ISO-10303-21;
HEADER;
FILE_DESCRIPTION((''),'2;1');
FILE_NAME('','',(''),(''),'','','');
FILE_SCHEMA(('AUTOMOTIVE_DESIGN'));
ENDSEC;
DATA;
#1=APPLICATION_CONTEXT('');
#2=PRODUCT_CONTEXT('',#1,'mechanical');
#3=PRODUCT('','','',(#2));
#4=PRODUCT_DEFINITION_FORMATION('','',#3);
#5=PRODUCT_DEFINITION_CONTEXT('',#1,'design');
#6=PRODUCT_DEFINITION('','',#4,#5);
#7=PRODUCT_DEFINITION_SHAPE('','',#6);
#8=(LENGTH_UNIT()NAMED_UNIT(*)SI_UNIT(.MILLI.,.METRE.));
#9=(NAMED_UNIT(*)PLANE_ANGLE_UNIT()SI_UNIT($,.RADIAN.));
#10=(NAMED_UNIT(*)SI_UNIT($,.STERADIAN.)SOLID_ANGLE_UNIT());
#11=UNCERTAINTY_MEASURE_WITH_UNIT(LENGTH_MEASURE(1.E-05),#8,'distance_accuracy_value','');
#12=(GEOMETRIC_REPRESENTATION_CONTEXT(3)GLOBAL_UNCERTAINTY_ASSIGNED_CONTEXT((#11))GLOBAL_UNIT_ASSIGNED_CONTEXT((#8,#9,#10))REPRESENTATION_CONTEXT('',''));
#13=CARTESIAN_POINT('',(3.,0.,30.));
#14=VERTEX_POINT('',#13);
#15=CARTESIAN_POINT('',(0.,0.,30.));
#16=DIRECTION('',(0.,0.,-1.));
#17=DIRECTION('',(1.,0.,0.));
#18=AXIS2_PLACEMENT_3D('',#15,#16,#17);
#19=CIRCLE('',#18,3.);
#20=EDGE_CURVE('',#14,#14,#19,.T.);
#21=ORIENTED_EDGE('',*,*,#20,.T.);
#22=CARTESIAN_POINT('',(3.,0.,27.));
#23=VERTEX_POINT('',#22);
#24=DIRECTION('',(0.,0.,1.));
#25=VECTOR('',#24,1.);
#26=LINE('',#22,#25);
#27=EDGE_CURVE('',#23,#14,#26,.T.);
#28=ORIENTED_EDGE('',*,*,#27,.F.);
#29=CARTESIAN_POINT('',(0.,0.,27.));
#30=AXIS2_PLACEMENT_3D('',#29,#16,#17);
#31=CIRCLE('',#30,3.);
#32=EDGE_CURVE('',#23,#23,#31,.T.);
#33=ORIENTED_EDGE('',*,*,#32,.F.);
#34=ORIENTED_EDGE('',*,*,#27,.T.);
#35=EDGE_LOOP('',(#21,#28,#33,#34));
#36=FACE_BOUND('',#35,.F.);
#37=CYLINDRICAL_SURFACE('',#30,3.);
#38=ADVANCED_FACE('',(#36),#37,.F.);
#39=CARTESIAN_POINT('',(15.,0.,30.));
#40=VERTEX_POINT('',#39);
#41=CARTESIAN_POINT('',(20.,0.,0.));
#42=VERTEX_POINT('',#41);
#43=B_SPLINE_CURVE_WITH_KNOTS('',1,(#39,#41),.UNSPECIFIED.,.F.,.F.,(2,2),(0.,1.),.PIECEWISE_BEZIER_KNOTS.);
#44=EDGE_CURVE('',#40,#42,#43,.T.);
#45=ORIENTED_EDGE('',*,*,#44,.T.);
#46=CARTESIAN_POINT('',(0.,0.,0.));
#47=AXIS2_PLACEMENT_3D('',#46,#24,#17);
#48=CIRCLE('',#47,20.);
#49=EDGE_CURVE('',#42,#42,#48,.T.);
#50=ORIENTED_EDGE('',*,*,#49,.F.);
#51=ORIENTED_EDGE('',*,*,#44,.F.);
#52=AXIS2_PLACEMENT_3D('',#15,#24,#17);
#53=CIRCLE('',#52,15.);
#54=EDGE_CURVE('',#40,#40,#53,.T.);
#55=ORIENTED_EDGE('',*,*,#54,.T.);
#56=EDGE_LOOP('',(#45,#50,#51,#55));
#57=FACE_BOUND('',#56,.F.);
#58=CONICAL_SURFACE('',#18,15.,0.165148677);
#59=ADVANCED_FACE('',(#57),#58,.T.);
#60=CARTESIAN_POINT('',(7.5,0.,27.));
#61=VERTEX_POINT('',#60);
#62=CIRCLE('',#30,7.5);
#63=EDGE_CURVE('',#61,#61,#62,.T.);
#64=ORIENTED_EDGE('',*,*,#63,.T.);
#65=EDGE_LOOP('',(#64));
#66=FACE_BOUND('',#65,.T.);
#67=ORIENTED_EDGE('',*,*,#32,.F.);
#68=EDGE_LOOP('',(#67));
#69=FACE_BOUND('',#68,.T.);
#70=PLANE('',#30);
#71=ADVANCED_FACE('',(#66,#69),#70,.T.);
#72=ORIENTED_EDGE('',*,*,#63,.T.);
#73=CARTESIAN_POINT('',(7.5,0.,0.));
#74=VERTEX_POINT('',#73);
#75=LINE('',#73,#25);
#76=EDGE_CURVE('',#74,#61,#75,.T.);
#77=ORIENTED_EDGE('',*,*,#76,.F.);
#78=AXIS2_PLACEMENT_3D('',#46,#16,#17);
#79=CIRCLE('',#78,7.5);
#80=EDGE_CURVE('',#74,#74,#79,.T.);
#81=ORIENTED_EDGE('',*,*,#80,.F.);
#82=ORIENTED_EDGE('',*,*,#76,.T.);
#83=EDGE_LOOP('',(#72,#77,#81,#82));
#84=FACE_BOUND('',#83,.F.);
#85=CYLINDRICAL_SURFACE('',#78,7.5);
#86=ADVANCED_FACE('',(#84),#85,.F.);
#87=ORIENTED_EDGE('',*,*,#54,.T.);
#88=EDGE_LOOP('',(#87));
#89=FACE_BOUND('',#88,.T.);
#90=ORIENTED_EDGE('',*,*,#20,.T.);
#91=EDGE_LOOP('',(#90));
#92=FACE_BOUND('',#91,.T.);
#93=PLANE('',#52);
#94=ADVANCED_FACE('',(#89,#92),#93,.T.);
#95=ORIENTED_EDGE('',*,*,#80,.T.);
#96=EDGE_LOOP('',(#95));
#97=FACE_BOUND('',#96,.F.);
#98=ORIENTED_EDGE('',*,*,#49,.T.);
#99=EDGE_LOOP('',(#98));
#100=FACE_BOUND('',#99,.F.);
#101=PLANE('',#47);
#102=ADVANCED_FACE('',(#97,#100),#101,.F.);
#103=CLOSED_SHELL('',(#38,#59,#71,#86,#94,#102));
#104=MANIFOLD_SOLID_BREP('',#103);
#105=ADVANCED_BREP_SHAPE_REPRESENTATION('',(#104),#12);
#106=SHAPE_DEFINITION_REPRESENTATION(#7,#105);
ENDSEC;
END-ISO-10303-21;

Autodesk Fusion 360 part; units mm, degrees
sketch "Sketch1" plane through (0, 0, 0) normal (0, 0, 1) x (1, 0, 0)
  circle A0 centre (0, 0) radius 20
  dimension "d1" = 40
ref_plane "WorkPlane1" through (0, 0, 30) normal (0, 0, 1) x (1, 0, 0)
sketch "Sketch2" plane through (0, 0, 30) normal (0, 0, 1) x (1, 0, 0)
  circle A0 centre (0, 0) radius 15
  dimension "d3" = 30
loft "Loft1" add profiles "Sketch2", "Sketch1" section 1 section 2
sketch "Sketch3" plane through (0, 0, 0) normal (0, 0, -1) x (1, 0, 0)
  circle A0 centre (0, 0) radius 20
  circle A1 centre (0, 0) radius 7.5
  dimension "d4" = 15
extrude "Extrude1" cut sketch "Sketch3" against normal blind 27 contours A1
sketch "Sketch4" plane through (0, 0, 27) normal (0, 0, -1) x (1, 0, 0)
  circle A0 centre (0, 0) radius 7.5
  circle A1 centre (0, 0) radius 3
  dimension "d7" = 6
extrude "Extrude2" cut sketch "Sketch4" against normal blind 7 contours A1
